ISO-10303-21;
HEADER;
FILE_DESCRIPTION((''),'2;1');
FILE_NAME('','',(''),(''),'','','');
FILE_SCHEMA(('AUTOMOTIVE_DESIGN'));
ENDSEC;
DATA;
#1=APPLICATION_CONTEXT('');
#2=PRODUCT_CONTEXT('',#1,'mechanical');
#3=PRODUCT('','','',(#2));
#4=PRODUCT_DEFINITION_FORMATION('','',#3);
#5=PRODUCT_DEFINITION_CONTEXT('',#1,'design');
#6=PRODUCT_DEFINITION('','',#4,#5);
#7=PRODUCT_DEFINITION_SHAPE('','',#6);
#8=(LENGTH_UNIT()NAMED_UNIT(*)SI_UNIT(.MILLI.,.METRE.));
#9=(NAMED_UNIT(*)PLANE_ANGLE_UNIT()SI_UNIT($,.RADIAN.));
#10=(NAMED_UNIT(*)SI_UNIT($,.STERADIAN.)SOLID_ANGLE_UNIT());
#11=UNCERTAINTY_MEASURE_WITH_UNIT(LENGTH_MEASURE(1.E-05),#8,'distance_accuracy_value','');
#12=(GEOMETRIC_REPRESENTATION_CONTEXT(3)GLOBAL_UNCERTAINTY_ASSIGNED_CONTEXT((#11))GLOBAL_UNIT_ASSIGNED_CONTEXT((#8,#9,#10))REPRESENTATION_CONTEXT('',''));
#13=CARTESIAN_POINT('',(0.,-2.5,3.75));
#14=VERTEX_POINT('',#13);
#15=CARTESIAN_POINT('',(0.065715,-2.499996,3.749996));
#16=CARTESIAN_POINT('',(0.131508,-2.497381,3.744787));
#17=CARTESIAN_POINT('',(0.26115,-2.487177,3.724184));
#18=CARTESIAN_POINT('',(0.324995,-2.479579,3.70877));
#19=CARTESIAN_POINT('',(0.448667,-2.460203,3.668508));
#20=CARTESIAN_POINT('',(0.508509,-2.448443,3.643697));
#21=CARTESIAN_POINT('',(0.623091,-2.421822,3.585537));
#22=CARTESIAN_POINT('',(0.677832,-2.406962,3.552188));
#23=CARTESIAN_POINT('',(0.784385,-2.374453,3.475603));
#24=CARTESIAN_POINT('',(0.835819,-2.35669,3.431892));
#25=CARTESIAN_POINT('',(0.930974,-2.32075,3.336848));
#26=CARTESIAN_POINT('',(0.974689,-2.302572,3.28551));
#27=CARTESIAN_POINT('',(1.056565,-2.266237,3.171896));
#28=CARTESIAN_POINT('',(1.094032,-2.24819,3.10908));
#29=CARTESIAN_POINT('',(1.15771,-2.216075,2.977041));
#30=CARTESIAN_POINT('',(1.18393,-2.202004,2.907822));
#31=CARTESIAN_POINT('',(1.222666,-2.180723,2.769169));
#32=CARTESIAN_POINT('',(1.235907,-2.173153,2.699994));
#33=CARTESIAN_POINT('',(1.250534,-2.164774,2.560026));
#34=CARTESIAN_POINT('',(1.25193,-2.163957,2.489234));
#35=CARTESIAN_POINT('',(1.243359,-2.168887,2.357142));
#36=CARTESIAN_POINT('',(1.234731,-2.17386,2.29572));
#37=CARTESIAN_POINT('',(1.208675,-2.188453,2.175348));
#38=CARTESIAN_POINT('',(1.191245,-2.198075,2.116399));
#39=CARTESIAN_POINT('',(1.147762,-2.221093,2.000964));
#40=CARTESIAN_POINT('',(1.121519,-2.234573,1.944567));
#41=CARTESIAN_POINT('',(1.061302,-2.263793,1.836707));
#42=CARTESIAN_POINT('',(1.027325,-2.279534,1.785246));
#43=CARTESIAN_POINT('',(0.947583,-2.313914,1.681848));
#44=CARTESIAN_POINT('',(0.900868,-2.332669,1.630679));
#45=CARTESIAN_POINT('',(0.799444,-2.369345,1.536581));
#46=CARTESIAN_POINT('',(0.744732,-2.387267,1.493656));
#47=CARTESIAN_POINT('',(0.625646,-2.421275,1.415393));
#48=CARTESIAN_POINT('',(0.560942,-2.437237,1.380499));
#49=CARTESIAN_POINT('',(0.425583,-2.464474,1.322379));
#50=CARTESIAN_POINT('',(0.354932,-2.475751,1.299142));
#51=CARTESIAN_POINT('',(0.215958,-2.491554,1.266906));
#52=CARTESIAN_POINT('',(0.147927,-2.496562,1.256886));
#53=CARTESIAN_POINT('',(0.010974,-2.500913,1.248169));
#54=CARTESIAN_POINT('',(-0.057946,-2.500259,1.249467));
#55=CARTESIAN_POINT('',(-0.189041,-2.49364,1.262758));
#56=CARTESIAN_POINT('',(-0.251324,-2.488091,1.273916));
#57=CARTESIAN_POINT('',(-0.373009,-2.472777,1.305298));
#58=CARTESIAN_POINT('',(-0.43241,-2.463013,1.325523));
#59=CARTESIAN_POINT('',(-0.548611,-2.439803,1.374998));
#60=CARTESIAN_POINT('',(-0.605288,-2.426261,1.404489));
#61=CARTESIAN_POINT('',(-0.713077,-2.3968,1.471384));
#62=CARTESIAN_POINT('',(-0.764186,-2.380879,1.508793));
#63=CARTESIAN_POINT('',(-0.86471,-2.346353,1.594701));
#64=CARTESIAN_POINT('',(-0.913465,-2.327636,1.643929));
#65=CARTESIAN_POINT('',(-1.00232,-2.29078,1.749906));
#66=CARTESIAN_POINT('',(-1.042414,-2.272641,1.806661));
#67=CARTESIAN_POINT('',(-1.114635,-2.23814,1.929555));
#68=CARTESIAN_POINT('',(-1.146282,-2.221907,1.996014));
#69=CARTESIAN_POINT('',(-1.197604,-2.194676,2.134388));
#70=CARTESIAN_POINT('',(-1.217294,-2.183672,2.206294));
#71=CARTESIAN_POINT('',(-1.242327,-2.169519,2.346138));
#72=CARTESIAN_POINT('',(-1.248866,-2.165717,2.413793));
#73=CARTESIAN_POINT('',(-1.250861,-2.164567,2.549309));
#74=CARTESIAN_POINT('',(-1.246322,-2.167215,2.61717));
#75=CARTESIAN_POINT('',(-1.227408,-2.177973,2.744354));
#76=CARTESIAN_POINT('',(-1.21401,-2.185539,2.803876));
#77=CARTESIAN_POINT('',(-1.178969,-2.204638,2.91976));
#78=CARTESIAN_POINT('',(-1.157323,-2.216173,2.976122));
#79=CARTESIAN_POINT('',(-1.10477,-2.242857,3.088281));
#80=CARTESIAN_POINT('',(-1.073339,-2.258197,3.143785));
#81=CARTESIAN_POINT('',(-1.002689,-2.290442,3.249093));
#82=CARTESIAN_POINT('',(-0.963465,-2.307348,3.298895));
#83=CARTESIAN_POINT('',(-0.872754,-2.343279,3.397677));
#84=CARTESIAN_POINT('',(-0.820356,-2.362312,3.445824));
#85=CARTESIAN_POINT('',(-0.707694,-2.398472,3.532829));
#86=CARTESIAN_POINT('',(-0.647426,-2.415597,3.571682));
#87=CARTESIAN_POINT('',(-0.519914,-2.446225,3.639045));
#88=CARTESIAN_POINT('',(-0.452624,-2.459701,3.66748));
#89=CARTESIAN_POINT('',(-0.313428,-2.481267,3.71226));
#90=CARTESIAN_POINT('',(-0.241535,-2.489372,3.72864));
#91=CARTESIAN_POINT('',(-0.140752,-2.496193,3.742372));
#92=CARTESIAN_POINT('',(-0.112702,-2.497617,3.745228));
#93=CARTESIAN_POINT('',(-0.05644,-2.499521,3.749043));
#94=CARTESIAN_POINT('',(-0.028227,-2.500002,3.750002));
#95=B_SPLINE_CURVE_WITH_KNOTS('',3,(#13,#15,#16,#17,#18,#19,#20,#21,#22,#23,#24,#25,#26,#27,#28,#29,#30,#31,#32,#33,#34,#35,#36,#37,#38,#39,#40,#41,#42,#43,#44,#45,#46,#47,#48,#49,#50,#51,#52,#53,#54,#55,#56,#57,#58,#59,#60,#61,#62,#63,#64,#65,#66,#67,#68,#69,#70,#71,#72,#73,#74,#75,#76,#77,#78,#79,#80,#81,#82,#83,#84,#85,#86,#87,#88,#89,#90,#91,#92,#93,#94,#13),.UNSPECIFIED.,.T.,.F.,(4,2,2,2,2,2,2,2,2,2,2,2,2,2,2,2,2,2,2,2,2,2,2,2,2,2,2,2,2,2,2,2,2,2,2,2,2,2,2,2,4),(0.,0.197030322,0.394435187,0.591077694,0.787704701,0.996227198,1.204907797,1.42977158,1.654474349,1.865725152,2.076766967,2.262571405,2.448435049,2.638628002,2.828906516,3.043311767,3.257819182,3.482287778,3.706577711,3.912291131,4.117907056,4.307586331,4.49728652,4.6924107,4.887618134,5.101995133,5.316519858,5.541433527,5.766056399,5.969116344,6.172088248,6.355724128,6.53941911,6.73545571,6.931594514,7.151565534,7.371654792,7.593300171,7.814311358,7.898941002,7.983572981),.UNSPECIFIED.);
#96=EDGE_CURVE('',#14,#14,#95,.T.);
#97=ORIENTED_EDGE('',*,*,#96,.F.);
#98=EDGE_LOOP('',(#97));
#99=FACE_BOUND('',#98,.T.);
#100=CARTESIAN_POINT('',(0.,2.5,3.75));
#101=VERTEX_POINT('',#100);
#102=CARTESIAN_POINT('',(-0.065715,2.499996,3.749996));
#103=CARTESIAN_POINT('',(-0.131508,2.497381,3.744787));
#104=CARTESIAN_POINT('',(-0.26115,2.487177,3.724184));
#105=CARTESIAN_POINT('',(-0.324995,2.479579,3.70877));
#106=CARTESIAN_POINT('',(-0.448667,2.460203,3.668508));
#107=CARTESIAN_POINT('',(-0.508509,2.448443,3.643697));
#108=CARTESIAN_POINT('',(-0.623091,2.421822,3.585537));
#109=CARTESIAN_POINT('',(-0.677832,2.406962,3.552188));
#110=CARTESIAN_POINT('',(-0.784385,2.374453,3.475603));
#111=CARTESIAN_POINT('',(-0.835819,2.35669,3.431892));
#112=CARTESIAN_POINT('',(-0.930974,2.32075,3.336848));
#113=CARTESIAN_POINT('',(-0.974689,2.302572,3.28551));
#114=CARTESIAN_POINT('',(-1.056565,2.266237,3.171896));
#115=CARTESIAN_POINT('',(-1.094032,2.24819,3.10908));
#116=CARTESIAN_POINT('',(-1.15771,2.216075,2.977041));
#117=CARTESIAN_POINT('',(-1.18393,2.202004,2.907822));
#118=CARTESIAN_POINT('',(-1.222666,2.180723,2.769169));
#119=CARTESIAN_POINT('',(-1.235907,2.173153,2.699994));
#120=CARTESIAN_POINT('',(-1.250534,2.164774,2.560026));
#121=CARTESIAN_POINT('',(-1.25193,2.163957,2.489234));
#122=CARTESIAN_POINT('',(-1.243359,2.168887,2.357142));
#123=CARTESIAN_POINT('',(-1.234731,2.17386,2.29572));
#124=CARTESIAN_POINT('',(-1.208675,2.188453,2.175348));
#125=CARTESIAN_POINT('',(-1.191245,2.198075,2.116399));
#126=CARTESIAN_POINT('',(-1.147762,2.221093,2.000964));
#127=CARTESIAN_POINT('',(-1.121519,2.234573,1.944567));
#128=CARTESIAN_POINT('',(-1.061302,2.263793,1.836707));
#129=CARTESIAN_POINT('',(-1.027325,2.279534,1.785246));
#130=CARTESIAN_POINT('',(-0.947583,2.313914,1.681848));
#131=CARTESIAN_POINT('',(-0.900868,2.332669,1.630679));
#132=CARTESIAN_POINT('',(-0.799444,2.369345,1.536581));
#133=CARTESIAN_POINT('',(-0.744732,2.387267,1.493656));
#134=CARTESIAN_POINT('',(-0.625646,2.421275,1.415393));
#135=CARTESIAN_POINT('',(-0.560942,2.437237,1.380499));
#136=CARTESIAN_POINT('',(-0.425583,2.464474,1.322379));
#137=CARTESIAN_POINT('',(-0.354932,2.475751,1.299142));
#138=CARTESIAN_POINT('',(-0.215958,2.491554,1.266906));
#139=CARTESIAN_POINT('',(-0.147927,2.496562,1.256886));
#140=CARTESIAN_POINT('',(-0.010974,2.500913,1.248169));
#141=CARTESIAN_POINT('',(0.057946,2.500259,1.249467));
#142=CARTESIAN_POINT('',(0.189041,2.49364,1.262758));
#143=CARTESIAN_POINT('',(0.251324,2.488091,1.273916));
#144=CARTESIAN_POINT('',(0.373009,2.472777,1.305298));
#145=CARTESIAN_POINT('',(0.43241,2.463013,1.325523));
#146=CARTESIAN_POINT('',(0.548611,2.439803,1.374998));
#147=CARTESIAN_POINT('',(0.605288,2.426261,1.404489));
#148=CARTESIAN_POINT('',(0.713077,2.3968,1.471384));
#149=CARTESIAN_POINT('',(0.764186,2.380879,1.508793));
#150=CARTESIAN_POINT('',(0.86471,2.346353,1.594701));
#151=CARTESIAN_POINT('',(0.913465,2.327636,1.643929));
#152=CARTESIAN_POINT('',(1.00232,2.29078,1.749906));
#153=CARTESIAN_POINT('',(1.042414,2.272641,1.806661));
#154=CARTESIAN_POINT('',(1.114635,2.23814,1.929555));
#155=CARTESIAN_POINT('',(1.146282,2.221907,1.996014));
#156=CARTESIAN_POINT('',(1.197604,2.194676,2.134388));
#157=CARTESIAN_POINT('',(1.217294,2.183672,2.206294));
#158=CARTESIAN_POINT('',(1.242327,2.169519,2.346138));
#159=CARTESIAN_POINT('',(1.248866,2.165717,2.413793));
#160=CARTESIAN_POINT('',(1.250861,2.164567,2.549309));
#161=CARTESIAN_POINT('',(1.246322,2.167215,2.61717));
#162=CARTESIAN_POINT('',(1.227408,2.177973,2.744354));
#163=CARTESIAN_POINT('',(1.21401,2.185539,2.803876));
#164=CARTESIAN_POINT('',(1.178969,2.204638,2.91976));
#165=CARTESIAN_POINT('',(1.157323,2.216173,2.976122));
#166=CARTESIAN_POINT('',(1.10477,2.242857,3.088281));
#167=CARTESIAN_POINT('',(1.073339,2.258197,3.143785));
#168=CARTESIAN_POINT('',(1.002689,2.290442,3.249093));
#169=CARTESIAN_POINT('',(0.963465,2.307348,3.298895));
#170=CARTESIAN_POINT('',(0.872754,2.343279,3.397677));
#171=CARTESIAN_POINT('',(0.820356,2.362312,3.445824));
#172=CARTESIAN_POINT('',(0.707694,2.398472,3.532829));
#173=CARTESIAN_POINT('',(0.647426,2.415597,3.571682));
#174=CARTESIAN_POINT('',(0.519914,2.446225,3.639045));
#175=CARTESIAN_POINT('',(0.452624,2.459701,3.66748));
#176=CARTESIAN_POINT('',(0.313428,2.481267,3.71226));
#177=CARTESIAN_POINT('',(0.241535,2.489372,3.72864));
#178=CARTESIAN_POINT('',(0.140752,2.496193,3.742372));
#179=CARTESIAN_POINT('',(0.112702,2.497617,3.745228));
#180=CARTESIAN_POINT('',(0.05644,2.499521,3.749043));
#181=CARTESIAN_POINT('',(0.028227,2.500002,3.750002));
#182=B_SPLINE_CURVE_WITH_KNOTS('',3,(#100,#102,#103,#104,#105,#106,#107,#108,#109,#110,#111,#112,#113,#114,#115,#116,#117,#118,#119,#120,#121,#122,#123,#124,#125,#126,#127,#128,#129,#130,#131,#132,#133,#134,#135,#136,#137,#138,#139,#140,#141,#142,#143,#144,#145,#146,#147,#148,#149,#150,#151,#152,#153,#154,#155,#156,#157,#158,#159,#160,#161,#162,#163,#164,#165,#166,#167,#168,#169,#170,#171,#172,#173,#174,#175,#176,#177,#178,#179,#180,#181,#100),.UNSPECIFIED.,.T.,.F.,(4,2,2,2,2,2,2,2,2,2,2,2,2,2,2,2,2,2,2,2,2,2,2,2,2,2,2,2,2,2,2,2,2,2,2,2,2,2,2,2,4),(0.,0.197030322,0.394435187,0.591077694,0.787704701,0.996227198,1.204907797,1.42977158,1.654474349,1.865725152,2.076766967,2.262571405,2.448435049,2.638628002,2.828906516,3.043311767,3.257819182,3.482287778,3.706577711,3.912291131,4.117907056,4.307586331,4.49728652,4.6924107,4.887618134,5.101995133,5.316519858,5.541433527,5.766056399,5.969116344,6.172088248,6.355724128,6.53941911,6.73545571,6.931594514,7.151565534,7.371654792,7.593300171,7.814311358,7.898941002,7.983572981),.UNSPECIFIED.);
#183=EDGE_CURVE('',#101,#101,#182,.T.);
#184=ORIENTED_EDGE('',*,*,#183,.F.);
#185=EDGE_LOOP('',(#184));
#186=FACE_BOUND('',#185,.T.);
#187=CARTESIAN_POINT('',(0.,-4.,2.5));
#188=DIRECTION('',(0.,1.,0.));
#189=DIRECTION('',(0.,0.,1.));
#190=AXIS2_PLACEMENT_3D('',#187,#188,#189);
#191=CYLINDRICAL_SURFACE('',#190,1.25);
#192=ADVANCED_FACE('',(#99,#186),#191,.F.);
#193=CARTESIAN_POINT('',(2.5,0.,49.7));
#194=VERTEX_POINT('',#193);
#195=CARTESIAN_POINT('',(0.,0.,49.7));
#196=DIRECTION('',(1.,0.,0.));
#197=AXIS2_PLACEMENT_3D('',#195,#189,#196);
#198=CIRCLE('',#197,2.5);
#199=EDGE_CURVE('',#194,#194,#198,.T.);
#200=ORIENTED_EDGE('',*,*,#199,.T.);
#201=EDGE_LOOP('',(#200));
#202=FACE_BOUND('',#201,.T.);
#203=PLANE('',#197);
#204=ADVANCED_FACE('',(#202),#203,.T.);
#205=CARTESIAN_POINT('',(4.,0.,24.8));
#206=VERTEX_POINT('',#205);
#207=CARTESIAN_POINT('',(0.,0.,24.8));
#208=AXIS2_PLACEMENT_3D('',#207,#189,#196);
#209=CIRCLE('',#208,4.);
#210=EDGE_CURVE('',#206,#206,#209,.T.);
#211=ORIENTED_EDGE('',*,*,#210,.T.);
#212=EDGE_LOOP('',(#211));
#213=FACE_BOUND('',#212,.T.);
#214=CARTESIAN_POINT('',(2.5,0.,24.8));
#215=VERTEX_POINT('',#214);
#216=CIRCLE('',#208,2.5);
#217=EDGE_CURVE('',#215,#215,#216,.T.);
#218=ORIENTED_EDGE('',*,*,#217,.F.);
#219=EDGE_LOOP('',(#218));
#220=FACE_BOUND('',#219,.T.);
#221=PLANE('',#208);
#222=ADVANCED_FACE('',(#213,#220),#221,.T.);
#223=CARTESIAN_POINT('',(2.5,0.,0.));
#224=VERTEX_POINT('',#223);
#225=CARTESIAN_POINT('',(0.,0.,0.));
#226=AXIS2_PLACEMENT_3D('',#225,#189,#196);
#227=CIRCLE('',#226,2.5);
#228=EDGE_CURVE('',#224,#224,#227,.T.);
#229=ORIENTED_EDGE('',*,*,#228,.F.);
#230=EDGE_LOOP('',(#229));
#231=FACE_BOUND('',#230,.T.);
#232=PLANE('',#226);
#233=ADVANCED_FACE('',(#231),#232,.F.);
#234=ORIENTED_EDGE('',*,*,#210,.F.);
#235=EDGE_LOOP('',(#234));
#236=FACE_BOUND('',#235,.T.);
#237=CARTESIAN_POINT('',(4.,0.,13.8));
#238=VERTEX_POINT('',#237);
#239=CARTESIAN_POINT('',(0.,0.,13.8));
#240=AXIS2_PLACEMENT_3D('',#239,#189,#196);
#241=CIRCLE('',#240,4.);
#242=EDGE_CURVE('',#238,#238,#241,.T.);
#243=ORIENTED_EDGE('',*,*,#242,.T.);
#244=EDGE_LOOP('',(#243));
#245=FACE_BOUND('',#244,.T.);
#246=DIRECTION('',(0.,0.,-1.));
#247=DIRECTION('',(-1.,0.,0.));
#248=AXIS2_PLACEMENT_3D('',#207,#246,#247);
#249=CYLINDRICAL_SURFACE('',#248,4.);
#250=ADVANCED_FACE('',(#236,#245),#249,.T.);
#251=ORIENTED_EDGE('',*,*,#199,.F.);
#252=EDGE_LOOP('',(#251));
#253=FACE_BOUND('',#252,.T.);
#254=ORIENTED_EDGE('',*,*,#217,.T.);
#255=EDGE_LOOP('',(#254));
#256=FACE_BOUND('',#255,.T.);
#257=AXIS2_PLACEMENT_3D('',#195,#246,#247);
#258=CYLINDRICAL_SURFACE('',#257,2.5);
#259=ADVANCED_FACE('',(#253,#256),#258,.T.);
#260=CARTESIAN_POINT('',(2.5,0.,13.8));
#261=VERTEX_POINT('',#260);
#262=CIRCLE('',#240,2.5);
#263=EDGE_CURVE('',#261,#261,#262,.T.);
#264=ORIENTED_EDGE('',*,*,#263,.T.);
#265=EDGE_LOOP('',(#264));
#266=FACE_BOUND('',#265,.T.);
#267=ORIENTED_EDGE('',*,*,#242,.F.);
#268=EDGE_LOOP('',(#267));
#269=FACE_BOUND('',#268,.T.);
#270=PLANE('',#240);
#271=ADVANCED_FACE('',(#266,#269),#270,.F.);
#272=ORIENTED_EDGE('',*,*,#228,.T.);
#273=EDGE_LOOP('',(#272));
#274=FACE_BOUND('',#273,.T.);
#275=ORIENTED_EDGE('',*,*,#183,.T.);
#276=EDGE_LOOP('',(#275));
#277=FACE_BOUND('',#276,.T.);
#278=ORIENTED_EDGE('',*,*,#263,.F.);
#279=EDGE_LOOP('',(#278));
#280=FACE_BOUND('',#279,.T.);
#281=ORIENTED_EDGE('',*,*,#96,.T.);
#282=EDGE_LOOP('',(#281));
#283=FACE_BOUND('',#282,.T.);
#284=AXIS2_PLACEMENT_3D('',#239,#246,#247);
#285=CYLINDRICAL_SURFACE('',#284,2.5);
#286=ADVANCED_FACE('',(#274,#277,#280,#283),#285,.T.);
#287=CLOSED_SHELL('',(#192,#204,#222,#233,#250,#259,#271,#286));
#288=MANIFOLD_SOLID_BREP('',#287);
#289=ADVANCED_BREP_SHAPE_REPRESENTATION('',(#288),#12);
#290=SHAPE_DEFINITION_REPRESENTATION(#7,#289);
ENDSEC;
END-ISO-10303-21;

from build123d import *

# Parameters (mm, degrees)
SKETCH1_R               = 2.5
BOSS_EXTRUDE1_DEPTH     = 13.8
BOSS_EXTRUDE3_START     = 13.8
SKETCH1_4_R             = 4
BOSS_EXTRUDE3_DEPTH     = 11
BOSS_EXTRUDE2_START     = 24.8
SKETCH1_3_R             = 2.5
BOSS_EXTRUDE2_DEPTH     = 24.9
SKETCH17_R              = 1.25
CUT_EXTRUDE1_DEPTH      = 5
CUT_EXTRUDE1_DEPTH_BACK = 5


with BuildPart() as part:
    # Sketch1 → Boss-Extrude1 (new body)
    with BuildSketch(Plane.XY):
        Circle(SKETCH1_R)
    extrude(amount=BOSS_EXTRUDE1_DEPTH)

    # Sketch1<4> → Boss-Extrude3 (add)
    with BuildSketch(Plane.XY.offset(BOSS_EXTRUDE3_START)):
        Circle(SKETCH1_4_R)
    extrude(amount=BOSS_EXTRUDE3_DEPTH)

    # Sketch1<3> → Boss-Extrude2 (add)
    with BuildSketch(Plane.XY.offset(BOSS_EXTRUDE2_START)):
        Circle(SKETCH1_3_R)
    extrude(amount=BOSS_EXTRUDE2_DEPTH)

    # Sketch17 → Cut-Extrude1 (cut, two sides)
    with BuildSketch(Plane(origin=(0, 0, 0), x_dir=(1, 0, 0), z_dir=(0, 1, 0))) as cut_extrude1_sk:
        with Locations((0, -2.5)):
            Circle(SKETCH17_R)
    extrude(amount=CUT_EXTRUDE1_DEPTH, mode=Mode.SUBTRACT)
    extrude(cut_extrude1_sk.sketch, amount=-CUT_EXTRUDE1_DEPTH_BACK, mode=Mode.SUBTRACT)


solid = part.part
